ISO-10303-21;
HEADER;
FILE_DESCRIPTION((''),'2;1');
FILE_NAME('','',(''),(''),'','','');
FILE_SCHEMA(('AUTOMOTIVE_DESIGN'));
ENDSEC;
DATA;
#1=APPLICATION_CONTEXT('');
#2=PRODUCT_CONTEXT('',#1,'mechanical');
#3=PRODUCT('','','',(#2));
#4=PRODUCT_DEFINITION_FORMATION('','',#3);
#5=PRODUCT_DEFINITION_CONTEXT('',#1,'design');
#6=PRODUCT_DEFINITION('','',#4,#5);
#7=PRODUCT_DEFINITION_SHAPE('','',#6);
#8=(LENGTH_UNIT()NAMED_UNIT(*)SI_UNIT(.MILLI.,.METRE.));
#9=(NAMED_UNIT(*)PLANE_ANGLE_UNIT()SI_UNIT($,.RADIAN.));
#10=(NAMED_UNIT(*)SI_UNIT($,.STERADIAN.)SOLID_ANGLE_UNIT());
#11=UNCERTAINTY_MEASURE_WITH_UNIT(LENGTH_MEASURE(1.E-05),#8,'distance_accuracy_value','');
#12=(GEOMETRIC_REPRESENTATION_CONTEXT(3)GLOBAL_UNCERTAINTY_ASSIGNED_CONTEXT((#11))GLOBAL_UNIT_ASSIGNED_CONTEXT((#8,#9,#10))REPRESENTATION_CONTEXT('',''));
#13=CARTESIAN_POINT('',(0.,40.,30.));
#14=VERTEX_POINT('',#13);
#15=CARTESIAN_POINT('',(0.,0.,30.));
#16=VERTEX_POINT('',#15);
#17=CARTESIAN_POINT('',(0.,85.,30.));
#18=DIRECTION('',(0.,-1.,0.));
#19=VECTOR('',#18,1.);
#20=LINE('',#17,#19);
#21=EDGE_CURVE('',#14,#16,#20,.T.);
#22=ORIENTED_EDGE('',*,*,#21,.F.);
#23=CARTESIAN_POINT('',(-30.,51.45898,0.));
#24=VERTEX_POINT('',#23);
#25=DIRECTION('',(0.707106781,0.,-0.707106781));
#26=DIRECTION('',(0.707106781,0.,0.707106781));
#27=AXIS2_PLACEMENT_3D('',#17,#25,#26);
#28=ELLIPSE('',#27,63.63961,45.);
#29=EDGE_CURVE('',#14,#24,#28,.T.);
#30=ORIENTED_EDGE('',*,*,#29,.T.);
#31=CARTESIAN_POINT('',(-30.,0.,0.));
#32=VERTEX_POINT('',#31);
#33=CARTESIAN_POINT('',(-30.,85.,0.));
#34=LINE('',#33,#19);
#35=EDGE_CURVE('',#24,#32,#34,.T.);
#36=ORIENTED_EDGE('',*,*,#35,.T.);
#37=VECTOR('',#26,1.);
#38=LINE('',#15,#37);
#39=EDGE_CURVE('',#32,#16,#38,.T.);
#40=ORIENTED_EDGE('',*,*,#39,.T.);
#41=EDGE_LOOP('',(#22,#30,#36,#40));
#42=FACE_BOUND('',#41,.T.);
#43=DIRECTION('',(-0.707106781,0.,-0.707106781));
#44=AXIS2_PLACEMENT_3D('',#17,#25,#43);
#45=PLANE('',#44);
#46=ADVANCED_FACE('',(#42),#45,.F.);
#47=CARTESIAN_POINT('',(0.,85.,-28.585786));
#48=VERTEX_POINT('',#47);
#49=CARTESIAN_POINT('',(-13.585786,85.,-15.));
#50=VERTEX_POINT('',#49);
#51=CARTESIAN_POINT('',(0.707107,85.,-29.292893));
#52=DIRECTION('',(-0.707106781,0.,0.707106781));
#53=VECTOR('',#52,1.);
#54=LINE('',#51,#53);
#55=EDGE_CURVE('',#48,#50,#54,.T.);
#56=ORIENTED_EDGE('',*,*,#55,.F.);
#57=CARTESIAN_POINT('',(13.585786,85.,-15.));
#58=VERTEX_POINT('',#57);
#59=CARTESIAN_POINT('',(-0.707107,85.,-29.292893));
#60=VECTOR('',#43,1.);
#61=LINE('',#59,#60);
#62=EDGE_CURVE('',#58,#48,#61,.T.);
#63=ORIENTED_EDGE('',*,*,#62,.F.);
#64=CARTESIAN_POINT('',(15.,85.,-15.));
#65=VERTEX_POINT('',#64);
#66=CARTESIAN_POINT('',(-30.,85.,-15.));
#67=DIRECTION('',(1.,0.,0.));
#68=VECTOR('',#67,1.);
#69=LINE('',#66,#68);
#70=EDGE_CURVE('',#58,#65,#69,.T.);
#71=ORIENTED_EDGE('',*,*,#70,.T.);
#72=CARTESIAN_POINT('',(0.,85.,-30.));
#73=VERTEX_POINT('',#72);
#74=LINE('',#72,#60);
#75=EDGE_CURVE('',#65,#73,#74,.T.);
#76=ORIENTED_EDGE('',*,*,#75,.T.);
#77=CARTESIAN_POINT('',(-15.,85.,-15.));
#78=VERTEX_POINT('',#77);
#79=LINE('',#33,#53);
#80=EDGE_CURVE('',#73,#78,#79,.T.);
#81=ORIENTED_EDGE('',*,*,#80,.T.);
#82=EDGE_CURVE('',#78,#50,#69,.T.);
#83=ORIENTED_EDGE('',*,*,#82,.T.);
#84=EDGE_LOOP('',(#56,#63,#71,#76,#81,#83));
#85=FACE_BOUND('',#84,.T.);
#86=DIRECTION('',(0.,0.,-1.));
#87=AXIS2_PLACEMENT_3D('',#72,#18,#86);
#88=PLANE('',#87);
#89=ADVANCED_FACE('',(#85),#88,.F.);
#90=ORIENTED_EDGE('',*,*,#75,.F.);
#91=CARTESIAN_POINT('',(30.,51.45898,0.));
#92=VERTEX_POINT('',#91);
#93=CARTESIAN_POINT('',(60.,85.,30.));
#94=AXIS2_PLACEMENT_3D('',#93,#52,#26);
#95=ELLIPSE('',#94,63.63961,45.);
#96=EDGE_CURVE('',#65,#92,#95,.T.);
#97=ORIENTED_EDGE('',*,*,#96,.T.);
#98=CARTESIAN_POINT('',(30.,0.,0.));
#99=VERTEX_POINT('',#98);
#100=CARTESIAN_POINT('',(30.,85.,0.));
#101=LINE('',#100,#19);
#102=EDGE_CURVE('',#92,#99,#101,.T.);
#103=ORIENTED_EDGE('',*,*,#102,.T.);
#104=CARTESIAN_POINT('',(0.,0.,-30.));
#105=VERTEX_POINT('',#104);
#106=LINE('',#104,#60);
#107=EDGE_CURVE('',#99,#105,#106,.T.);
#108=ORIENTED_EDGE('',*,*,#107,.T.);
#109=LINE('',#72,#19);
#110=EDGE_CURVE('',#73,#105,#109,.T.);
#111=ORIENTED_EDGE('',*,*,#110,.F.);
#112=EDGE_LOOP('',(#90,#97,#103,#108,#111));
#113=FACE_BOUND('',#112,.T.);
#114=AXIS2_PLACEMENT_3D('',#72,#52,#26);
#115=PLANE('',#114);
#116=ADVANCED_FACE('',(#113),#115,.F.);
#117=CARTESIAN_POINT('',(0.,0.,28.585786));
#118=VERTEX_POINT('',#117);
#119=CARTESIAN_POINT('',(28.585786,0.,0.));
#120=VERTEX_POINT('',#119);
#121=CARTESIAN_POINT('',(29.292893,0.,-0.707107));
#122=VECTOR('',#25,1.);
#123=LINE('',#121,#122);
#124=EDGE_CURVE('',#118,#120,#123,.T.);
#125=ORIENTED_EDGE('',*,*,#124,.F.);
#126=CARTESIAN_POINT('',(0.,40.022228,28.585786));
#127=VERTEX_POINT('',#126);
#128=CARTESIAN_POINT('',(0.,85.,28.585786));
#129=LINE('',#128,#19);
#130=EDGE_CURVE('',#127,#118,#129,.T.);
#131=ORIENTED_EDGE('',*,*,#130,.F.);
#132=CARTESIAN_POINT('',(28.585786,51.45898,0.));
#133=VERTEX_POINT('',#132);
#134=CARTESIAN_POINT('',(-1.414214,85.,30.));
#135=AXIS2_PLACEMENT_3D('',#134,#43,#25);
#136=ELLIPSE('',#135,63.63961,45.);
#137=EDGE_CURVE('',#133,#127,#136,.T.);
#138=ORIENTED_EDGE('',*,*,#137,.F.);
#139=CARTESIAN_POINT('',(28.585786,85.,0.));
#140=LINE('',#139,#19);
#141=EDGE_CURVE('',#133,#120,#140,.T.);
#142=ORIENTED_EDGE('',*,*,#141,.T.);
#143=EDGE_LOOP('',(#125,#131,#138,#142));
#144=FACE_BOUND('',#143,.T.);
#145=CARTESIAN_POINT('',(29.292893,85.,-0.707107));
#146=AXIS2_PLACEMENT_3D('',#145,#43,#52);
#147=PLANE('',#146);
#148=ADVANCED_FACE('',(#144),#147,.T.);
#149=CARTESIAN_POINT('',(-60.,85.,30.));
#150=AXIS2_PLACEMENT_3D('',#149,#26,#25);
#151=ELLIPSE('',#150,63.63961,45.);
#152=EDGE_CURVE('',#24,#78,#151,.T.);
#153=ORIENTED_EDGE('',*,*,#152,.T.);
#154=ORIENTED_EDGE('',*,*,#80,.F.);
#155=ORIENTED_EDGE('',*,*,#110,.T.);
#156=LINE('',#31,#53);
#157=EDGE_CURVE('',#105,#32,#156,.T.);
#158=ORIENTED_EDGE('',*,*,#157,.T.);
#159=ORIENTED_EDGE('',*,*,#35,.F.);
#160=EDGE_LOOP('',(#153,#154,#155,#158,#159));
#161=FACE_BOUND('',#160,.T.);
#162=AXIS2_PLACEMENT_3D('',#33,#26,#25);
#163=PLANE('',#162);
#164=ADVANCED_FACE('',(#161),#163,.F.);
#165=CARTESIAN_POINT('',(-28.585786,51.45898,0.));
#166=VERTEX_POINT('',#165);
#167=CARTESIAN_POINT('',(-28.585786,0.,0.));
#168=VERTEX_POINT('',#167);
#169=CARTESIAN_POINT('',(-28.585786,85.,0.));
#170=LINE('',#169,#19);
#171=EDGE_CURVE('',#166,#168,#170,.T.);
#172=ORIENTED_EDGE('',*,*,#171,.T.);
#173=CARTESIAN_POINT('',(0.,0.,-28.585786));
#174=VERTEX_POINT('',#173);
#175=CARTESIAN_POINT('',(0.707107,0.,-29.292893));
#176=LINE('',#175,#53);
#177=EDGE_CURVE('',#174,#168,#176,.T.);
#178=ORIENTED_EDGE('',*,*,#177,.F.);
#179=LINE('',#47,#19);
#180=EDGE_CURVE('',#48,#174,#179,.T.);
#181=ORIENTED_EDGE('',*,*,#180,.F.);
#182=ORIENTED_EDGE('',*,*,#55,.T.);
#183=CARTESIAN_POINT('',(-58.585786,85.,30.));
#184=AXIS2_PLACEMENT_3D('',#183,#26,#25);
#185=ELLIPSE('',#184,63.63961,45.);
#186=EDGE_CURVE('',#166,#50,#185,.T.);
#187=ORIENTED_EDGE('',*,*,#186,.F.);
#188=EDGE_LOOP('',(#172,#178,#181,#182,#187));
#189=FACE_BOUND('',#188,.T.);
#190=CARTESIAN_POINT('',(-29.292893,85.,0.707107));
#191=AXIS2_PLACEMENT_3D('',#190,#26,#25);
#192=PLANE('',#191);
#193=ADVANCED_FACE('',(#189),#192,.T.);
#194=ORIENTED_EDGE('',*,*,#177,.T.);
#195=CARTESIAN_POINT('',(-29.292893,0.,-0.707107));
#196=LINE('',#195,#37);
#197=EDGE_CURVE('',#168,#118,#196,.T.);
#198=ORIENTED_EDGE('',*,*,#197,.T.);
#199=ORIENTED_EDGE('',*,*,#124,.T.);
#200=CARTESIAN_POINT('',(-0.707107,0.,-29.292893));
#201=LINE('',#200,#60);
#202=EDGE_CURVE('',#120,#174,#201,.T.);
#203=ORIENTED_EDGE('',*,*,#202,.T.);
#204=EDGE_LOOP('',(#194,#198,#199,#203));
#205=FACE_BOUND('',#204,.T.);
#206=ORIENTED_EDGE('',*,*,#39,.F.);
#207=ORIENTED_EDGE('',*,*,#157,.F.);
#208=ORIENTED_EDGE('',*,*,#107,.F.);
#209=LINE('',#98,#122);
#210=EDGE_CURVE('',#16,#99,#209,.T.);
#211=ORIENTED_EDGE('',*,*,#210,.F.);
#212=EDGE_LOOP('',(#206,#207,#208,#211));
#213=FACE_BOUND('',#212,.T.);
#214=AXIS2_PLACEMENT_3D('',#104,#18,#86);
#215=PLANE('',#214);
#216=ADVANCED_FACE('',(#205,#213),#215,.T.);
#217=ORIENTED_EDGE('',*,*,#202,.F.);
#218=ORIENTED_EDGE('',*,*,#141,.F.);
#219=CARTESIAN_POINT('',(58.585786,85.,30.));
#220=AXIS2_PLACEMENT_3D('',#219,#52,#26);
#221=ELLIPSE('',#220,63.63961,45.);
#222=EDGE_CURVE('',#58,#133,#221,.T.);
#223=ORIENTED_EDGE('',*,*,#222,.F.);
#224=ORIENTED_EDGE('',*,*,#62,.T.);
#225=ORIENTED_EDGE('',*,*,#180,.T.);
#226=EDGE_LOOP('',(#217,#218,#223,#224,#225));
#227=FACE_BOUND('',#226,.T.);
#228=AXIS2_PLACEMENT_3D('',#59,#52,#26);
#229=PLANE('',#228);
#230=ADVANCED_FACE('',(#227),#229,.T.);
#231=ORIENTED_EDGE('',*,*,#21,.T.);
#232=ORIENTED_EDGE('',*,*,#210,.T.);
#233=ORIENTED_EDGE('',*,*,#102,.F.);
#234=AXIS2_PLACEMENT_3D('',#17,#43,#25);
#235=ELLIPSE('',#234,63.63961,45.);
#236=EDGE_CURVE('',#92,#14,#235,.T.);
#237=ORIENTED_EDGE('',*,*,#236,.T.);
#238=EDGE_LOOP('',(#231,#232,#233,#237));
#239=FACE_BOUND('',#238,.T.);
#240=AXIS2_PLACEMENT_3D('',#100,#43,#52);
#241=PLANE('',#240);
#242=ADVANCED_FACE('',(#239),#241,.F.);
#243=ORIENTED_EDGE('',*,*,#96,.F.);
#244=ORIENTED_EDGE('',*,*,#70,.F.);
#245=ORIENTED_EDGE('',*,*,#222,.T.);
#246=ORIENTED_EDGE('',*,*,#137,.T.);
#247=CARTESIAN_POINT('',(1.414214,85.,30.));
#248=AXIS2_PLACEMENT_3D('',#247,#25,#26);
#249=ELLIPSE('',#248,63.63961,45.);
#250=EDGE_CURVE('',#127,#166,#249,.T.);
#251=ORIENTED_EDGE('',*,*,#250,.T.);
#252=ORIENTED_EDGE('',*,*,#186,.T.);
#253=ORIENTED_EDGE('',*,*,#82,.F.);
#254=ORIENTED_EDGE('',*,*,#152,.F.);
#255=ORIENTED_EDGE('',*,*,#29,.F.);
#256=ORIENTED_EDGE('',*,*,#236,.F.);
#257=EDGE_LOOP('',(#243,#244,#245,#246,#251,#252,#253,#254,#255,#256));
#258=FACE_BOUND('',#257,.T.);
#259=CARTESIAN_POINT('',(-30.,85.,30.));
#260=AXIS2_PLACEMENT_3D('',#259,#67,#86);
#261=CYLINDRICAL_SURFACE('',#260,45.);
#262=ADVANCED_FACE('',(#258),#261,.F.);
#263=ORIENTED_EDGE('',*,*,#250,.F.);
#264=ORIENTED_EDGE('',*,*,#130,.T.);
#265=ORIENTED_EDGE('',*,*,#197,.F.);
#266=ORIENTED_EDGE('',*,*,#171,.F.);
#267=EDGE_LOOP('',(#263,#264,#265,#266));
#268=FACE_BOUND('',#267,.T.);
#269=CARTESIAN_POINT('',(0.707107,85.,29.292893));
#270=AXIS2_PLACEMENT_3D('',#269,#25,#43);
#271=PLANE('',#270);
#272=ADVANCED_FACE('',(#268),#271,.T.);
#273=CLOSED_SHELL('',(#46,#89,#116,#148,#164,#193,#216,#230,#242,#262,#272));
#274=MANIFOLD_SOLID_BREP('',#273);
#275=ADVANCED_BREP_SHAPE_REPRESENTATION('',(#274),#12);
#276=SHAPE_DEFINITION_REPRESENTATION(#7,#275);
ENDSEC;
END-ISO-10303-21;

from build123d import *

# Parameters (mm, degrees)
EXTRUDE1_DEPTH     = 85
SHELL1_T           = -1
SKETCH3_R          = 45
CUT_EXTRUDE1_DEPTH = 30


with BuildPart() as part:
    # Sketch1 → Extrude1 (new body)
    with BuildSketch(Plane(origin=(0, 0, 0), x_dir=(1, 0, 0), z_dir=(0, 1, 0))):
        Polygon((0, 30), (30, 0), (0, -30), (-30, 0), align=None)
    extrude(amount=EXTRUDE1_DEPTH)

    # Shell1
    shell1_openings = [part.faces().sort_by_distance(p)[0] for p in [
        (0, 85, 0),
        (0, 0, 0),
    ]]
    offset(amount=SHELL1_T, openings=shell1_openings, kind=Kind.INTERSECTION)

    # Sketch3 → Cut-Extrude1 (cut, symmetric)
    with BuildSketch(Plane(origin=(0, 0, 0), x_dir=(0, 0, -1), z_dir=(1, 0, 0))):
        with Locations((-30, 85)):
            Circle(SKETCH3_R)
    extrude(amount=CUT_EXTRUDE1_DEPTH, both=True, mode=Mode.SUBTRACT)


solid = part.part
